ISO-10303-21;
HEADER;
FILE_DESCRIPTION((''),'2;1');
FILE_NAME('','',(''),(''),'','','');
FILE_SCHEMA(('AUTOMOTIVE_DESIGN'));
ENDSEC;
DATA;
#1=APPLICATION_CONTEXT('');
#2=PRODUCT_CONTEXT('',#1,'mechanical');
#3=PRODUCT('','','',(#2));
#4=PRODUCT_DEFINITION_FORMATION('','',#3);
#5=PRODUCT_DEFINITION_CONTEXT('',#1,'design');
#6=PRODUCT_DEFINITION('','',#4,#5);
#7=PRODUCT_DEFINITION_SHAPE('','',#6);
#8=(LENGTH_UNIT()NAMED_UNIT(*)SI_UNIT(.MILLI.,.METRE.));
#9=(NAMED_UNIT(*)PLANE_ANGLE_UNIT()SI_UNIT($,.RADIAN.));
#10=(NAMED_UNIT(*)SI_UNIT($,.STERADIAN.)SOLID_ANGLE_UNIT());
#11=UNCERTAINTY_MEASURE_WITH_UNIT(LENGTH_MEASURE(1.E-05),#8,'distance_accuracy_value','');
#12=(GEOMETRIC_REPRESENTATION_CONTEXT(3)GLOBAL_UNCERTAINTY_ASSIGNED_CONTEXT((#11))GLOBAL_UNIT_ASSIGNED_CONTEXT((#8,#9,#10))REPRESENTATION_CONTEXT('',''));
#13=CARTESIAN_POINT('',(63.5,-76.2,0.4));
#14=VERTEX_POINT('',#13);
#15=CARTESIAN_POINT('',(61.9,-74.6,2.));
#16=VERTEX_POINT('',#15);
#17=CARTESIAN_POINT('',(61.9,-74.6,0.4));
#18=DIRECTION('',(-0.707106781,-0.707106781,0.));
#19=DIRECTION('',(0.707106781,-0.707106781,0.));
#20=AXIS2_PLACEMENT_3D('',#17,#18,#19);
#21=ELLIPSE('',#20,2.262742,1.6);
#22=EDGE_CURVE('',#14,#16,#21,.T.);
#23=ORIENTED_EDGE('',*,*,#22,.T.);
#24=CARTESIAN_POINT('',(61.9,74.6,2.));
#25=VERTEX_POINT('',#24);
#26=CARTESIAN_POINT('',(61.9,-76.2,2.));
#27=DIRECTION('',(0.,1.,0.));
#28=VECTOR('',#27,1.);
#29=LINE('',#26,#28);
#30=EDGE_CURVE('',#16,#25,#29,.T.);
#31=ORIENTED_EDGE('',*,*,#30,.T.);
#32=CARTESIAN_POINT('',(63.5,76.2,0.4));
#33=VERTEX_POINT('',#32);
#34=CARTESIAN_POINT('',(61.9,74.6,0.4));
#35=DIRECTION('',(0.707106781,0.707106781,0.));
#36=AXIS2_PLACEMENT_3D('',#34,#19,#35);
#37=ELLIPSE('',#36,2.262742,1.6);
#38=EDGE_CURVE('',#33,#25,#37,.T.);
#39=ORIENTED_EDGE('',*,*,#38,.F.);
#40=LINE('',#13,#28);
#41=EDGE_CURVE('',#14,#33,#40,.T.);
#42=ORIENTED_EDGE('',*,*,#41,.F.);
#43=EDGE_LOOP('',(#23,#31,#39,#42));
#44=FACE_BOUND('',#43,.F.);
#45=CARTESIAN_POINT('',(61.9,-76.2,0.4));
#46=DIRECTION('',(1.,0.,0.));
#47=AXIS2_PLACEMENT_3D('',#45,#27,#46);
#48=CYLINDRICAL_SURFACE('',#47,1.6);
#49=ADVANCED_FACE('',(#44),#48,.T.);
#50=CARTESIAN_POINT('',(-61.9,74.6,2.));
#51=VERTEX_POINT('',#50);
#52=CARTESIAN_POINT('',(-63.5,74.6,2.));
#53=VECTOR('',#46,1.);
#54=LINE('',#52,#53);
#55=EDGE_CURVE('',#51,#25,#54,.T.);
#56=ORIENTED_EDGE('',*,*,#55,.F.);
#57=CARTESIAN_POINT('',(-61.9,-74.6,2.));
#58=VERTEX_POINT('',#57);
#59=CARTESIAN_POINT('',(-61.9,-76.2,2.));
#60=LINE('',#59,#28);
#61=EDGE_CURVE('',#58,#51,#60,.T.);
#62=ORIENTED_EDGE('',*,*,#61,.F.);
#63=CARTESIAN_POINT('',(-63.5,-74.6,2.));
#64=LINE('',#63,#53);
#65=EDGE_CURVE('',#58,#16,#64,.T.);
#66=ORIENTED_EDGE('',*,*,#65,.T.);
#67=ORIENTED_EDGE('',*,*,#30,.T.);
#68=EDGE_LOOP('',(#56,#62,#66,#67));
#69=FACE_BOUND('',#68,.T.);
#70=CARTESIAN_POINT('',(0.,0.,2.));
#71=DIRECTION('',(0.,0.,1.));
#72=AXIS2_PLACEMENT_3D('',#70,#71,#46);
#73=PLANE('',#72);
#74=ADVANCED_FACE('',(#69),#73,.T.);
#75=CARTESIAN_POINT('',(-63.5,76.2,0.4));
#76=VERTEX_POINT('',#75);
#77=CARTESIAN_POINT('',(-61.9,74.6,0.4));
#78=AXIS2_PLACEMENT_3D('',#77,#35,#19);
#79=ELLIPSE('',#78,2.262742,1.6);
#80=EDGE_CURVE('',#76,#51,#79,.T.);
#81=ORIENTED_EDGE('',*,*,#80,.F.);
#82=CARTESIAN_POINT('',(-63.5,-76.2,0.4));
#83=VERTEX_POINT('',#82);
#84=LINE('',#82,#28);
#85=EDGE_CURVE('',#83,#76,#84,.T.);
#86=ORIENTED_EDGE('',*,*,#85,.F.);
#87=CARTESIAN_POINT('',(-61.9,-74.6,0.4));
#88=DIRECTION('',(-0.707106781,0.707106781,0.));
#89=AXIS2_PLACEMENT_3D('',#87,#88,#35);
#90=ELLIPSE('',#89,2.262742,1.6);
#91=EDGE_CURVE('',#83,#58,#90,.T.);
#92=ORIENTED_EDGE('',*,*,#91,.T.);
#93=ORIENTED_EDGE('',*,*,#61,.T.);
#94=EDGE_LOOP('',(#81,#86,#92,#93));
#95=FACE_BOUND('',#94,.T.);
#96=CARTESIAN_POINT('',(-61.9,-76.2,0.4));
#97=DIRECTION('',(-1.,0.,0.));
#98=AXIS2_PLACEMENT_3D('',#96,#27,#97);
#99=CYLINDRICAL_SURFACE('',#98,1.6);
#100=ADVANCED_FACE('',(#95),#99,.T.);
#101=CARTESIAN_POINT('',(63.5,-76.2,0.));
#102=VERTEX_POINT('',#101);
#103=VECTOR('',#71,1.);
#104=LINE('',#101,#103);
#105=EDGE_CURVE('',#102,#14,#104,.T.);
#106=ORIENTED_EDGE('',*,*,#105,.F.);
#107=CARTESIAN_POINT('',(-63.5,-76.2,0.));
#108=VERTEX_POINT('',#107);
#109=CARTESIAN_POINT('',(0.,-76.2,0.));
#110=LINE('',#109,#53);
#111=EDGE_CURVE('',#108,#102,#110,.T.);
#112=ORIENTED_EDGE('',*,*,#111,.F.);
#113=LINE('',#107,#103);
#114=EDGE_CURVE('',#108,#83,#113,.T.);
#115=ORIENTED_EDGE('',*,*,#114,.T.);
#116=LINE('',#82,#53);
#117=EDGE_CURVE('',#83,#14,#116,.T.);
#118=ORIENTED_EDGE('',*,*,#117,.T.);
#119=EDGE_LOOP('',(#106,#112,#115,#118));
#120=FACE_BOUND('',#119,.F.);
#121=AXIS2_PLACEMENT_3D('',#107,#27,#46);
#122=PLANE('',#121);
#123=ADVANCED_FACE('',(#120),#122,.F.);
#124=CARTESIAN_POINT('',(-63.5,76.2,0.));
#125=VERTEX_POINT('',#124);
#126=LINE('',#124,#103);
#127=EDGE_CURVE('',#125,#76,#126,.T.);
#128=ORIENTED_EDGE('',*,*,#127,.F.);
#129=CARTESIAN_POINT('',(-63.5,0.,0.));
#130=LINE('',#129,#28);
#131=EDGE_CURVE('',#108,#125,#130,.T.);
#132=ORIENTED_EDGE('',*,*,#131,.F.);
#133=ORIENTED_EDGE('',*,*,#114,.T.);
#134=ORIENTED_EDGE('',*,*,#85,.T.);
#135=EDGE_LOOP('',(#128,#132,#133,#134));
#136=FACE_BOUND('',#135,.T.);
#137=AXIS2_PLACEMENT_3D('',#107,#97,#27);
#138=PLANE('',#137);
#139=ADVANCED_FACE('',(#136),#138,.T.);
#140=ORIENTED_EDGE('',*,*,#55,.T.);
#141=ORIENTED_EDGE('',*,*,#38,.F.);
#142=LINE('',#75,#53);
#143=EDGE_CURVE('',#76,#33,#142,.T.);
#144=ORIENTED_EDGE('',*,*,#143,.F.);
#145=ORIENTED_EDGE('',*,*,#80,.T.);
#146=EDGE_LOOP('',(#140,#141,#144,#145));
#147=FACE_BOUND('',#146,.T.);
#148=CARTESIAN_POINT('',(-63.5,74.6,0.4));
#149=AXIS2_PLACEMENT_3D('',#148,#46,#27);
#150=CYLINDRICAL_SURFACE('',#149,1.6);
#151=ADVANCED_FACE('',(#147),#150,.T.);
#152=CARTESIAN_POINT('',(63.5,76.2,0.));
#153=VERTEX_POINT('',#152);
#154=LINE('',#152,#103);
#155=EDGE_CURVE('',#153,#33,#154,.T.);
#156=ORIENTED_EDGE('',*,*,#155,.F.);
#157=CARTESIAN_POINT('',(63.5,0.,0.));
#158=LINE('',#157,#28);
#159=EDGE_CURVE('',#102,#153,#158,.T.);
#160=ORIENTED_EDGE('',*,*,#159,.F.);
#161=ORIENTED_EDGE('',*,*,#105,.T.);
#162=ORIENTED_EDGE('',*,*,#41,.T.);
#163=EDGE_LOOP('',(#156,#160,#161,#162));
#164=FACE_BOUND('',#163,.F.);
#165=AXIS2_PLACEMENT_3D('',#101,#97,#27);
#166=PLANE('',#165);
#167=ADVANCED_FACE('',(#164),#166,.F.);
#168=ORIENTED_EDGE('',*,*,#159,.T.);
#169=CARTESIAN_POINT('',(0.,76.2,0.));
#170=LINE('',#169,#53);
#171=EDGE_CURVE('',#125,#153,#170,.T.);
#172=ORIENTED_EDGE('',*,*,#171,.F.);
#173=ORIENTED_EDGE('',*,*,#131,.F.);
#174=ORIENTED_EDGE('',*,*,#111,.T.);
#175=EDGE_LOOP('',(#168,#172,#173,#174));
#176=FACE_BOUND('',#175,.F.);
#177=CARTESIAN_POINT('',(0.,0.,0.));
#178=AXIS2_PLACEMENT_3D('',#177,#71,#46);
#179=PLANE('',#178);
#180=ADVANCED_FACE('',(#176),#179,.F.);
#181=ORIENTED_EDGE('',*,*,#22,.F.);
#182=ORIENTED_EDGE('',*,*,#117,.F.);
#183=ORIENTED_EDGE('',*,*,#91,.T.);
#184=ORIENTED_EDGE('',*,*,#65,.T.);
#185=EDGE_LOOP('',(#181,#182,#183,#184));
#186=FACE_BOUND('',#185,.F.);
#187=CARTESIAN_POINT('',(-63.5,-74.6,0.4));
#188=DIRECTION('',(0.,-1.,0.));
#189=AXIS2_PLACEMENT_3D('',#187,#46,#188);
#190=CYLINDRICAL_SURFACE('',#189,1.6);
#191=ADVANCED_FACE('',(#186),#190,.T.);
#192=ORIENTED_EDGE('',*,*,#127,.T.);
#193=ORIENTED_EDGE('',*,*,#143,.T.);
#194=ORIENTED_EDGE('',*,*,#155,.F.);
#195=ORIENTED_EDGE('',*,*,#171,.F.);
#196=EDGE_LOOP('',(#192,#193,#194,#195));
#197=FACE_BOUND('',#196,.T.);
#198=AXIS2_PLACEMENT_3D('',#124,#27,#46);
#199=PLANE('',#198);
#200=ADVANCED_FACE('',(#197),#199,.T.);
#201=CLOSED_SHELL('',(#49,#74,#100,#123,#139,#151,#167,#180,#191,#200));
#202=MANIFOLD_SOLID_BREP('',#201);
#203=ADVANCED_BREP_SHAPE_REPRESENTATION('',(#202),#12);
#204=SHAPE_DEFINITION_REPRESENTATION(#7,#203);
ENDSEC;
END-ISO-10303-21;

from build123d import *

# Parameters (mm, degrees)
SKETCH_W  = 127
SKETCH_H  = 152.4
PAD_DEPTH = 2
FILLET_R  = 1.6


with BuildPart() as part:
    # Sketch → Pad (new body)
    with BuildSketch(Plane.XY):
        Rectangle(SKETCH_W, SKETCH_H)
    extrude(amount=PAD_DEPTH)

    # Fillet
    fillet_edges = [part.edges().sort_by_distance(p)[0] for p in [
        (0, -76.2, 2),
        (63.5, 0, 2),
        (0, 76.2, 2),
        (-63.5, 0, 2),
    ]]
    fillet(fillet_edges, radius=FILLET_R)


solid = part.part
